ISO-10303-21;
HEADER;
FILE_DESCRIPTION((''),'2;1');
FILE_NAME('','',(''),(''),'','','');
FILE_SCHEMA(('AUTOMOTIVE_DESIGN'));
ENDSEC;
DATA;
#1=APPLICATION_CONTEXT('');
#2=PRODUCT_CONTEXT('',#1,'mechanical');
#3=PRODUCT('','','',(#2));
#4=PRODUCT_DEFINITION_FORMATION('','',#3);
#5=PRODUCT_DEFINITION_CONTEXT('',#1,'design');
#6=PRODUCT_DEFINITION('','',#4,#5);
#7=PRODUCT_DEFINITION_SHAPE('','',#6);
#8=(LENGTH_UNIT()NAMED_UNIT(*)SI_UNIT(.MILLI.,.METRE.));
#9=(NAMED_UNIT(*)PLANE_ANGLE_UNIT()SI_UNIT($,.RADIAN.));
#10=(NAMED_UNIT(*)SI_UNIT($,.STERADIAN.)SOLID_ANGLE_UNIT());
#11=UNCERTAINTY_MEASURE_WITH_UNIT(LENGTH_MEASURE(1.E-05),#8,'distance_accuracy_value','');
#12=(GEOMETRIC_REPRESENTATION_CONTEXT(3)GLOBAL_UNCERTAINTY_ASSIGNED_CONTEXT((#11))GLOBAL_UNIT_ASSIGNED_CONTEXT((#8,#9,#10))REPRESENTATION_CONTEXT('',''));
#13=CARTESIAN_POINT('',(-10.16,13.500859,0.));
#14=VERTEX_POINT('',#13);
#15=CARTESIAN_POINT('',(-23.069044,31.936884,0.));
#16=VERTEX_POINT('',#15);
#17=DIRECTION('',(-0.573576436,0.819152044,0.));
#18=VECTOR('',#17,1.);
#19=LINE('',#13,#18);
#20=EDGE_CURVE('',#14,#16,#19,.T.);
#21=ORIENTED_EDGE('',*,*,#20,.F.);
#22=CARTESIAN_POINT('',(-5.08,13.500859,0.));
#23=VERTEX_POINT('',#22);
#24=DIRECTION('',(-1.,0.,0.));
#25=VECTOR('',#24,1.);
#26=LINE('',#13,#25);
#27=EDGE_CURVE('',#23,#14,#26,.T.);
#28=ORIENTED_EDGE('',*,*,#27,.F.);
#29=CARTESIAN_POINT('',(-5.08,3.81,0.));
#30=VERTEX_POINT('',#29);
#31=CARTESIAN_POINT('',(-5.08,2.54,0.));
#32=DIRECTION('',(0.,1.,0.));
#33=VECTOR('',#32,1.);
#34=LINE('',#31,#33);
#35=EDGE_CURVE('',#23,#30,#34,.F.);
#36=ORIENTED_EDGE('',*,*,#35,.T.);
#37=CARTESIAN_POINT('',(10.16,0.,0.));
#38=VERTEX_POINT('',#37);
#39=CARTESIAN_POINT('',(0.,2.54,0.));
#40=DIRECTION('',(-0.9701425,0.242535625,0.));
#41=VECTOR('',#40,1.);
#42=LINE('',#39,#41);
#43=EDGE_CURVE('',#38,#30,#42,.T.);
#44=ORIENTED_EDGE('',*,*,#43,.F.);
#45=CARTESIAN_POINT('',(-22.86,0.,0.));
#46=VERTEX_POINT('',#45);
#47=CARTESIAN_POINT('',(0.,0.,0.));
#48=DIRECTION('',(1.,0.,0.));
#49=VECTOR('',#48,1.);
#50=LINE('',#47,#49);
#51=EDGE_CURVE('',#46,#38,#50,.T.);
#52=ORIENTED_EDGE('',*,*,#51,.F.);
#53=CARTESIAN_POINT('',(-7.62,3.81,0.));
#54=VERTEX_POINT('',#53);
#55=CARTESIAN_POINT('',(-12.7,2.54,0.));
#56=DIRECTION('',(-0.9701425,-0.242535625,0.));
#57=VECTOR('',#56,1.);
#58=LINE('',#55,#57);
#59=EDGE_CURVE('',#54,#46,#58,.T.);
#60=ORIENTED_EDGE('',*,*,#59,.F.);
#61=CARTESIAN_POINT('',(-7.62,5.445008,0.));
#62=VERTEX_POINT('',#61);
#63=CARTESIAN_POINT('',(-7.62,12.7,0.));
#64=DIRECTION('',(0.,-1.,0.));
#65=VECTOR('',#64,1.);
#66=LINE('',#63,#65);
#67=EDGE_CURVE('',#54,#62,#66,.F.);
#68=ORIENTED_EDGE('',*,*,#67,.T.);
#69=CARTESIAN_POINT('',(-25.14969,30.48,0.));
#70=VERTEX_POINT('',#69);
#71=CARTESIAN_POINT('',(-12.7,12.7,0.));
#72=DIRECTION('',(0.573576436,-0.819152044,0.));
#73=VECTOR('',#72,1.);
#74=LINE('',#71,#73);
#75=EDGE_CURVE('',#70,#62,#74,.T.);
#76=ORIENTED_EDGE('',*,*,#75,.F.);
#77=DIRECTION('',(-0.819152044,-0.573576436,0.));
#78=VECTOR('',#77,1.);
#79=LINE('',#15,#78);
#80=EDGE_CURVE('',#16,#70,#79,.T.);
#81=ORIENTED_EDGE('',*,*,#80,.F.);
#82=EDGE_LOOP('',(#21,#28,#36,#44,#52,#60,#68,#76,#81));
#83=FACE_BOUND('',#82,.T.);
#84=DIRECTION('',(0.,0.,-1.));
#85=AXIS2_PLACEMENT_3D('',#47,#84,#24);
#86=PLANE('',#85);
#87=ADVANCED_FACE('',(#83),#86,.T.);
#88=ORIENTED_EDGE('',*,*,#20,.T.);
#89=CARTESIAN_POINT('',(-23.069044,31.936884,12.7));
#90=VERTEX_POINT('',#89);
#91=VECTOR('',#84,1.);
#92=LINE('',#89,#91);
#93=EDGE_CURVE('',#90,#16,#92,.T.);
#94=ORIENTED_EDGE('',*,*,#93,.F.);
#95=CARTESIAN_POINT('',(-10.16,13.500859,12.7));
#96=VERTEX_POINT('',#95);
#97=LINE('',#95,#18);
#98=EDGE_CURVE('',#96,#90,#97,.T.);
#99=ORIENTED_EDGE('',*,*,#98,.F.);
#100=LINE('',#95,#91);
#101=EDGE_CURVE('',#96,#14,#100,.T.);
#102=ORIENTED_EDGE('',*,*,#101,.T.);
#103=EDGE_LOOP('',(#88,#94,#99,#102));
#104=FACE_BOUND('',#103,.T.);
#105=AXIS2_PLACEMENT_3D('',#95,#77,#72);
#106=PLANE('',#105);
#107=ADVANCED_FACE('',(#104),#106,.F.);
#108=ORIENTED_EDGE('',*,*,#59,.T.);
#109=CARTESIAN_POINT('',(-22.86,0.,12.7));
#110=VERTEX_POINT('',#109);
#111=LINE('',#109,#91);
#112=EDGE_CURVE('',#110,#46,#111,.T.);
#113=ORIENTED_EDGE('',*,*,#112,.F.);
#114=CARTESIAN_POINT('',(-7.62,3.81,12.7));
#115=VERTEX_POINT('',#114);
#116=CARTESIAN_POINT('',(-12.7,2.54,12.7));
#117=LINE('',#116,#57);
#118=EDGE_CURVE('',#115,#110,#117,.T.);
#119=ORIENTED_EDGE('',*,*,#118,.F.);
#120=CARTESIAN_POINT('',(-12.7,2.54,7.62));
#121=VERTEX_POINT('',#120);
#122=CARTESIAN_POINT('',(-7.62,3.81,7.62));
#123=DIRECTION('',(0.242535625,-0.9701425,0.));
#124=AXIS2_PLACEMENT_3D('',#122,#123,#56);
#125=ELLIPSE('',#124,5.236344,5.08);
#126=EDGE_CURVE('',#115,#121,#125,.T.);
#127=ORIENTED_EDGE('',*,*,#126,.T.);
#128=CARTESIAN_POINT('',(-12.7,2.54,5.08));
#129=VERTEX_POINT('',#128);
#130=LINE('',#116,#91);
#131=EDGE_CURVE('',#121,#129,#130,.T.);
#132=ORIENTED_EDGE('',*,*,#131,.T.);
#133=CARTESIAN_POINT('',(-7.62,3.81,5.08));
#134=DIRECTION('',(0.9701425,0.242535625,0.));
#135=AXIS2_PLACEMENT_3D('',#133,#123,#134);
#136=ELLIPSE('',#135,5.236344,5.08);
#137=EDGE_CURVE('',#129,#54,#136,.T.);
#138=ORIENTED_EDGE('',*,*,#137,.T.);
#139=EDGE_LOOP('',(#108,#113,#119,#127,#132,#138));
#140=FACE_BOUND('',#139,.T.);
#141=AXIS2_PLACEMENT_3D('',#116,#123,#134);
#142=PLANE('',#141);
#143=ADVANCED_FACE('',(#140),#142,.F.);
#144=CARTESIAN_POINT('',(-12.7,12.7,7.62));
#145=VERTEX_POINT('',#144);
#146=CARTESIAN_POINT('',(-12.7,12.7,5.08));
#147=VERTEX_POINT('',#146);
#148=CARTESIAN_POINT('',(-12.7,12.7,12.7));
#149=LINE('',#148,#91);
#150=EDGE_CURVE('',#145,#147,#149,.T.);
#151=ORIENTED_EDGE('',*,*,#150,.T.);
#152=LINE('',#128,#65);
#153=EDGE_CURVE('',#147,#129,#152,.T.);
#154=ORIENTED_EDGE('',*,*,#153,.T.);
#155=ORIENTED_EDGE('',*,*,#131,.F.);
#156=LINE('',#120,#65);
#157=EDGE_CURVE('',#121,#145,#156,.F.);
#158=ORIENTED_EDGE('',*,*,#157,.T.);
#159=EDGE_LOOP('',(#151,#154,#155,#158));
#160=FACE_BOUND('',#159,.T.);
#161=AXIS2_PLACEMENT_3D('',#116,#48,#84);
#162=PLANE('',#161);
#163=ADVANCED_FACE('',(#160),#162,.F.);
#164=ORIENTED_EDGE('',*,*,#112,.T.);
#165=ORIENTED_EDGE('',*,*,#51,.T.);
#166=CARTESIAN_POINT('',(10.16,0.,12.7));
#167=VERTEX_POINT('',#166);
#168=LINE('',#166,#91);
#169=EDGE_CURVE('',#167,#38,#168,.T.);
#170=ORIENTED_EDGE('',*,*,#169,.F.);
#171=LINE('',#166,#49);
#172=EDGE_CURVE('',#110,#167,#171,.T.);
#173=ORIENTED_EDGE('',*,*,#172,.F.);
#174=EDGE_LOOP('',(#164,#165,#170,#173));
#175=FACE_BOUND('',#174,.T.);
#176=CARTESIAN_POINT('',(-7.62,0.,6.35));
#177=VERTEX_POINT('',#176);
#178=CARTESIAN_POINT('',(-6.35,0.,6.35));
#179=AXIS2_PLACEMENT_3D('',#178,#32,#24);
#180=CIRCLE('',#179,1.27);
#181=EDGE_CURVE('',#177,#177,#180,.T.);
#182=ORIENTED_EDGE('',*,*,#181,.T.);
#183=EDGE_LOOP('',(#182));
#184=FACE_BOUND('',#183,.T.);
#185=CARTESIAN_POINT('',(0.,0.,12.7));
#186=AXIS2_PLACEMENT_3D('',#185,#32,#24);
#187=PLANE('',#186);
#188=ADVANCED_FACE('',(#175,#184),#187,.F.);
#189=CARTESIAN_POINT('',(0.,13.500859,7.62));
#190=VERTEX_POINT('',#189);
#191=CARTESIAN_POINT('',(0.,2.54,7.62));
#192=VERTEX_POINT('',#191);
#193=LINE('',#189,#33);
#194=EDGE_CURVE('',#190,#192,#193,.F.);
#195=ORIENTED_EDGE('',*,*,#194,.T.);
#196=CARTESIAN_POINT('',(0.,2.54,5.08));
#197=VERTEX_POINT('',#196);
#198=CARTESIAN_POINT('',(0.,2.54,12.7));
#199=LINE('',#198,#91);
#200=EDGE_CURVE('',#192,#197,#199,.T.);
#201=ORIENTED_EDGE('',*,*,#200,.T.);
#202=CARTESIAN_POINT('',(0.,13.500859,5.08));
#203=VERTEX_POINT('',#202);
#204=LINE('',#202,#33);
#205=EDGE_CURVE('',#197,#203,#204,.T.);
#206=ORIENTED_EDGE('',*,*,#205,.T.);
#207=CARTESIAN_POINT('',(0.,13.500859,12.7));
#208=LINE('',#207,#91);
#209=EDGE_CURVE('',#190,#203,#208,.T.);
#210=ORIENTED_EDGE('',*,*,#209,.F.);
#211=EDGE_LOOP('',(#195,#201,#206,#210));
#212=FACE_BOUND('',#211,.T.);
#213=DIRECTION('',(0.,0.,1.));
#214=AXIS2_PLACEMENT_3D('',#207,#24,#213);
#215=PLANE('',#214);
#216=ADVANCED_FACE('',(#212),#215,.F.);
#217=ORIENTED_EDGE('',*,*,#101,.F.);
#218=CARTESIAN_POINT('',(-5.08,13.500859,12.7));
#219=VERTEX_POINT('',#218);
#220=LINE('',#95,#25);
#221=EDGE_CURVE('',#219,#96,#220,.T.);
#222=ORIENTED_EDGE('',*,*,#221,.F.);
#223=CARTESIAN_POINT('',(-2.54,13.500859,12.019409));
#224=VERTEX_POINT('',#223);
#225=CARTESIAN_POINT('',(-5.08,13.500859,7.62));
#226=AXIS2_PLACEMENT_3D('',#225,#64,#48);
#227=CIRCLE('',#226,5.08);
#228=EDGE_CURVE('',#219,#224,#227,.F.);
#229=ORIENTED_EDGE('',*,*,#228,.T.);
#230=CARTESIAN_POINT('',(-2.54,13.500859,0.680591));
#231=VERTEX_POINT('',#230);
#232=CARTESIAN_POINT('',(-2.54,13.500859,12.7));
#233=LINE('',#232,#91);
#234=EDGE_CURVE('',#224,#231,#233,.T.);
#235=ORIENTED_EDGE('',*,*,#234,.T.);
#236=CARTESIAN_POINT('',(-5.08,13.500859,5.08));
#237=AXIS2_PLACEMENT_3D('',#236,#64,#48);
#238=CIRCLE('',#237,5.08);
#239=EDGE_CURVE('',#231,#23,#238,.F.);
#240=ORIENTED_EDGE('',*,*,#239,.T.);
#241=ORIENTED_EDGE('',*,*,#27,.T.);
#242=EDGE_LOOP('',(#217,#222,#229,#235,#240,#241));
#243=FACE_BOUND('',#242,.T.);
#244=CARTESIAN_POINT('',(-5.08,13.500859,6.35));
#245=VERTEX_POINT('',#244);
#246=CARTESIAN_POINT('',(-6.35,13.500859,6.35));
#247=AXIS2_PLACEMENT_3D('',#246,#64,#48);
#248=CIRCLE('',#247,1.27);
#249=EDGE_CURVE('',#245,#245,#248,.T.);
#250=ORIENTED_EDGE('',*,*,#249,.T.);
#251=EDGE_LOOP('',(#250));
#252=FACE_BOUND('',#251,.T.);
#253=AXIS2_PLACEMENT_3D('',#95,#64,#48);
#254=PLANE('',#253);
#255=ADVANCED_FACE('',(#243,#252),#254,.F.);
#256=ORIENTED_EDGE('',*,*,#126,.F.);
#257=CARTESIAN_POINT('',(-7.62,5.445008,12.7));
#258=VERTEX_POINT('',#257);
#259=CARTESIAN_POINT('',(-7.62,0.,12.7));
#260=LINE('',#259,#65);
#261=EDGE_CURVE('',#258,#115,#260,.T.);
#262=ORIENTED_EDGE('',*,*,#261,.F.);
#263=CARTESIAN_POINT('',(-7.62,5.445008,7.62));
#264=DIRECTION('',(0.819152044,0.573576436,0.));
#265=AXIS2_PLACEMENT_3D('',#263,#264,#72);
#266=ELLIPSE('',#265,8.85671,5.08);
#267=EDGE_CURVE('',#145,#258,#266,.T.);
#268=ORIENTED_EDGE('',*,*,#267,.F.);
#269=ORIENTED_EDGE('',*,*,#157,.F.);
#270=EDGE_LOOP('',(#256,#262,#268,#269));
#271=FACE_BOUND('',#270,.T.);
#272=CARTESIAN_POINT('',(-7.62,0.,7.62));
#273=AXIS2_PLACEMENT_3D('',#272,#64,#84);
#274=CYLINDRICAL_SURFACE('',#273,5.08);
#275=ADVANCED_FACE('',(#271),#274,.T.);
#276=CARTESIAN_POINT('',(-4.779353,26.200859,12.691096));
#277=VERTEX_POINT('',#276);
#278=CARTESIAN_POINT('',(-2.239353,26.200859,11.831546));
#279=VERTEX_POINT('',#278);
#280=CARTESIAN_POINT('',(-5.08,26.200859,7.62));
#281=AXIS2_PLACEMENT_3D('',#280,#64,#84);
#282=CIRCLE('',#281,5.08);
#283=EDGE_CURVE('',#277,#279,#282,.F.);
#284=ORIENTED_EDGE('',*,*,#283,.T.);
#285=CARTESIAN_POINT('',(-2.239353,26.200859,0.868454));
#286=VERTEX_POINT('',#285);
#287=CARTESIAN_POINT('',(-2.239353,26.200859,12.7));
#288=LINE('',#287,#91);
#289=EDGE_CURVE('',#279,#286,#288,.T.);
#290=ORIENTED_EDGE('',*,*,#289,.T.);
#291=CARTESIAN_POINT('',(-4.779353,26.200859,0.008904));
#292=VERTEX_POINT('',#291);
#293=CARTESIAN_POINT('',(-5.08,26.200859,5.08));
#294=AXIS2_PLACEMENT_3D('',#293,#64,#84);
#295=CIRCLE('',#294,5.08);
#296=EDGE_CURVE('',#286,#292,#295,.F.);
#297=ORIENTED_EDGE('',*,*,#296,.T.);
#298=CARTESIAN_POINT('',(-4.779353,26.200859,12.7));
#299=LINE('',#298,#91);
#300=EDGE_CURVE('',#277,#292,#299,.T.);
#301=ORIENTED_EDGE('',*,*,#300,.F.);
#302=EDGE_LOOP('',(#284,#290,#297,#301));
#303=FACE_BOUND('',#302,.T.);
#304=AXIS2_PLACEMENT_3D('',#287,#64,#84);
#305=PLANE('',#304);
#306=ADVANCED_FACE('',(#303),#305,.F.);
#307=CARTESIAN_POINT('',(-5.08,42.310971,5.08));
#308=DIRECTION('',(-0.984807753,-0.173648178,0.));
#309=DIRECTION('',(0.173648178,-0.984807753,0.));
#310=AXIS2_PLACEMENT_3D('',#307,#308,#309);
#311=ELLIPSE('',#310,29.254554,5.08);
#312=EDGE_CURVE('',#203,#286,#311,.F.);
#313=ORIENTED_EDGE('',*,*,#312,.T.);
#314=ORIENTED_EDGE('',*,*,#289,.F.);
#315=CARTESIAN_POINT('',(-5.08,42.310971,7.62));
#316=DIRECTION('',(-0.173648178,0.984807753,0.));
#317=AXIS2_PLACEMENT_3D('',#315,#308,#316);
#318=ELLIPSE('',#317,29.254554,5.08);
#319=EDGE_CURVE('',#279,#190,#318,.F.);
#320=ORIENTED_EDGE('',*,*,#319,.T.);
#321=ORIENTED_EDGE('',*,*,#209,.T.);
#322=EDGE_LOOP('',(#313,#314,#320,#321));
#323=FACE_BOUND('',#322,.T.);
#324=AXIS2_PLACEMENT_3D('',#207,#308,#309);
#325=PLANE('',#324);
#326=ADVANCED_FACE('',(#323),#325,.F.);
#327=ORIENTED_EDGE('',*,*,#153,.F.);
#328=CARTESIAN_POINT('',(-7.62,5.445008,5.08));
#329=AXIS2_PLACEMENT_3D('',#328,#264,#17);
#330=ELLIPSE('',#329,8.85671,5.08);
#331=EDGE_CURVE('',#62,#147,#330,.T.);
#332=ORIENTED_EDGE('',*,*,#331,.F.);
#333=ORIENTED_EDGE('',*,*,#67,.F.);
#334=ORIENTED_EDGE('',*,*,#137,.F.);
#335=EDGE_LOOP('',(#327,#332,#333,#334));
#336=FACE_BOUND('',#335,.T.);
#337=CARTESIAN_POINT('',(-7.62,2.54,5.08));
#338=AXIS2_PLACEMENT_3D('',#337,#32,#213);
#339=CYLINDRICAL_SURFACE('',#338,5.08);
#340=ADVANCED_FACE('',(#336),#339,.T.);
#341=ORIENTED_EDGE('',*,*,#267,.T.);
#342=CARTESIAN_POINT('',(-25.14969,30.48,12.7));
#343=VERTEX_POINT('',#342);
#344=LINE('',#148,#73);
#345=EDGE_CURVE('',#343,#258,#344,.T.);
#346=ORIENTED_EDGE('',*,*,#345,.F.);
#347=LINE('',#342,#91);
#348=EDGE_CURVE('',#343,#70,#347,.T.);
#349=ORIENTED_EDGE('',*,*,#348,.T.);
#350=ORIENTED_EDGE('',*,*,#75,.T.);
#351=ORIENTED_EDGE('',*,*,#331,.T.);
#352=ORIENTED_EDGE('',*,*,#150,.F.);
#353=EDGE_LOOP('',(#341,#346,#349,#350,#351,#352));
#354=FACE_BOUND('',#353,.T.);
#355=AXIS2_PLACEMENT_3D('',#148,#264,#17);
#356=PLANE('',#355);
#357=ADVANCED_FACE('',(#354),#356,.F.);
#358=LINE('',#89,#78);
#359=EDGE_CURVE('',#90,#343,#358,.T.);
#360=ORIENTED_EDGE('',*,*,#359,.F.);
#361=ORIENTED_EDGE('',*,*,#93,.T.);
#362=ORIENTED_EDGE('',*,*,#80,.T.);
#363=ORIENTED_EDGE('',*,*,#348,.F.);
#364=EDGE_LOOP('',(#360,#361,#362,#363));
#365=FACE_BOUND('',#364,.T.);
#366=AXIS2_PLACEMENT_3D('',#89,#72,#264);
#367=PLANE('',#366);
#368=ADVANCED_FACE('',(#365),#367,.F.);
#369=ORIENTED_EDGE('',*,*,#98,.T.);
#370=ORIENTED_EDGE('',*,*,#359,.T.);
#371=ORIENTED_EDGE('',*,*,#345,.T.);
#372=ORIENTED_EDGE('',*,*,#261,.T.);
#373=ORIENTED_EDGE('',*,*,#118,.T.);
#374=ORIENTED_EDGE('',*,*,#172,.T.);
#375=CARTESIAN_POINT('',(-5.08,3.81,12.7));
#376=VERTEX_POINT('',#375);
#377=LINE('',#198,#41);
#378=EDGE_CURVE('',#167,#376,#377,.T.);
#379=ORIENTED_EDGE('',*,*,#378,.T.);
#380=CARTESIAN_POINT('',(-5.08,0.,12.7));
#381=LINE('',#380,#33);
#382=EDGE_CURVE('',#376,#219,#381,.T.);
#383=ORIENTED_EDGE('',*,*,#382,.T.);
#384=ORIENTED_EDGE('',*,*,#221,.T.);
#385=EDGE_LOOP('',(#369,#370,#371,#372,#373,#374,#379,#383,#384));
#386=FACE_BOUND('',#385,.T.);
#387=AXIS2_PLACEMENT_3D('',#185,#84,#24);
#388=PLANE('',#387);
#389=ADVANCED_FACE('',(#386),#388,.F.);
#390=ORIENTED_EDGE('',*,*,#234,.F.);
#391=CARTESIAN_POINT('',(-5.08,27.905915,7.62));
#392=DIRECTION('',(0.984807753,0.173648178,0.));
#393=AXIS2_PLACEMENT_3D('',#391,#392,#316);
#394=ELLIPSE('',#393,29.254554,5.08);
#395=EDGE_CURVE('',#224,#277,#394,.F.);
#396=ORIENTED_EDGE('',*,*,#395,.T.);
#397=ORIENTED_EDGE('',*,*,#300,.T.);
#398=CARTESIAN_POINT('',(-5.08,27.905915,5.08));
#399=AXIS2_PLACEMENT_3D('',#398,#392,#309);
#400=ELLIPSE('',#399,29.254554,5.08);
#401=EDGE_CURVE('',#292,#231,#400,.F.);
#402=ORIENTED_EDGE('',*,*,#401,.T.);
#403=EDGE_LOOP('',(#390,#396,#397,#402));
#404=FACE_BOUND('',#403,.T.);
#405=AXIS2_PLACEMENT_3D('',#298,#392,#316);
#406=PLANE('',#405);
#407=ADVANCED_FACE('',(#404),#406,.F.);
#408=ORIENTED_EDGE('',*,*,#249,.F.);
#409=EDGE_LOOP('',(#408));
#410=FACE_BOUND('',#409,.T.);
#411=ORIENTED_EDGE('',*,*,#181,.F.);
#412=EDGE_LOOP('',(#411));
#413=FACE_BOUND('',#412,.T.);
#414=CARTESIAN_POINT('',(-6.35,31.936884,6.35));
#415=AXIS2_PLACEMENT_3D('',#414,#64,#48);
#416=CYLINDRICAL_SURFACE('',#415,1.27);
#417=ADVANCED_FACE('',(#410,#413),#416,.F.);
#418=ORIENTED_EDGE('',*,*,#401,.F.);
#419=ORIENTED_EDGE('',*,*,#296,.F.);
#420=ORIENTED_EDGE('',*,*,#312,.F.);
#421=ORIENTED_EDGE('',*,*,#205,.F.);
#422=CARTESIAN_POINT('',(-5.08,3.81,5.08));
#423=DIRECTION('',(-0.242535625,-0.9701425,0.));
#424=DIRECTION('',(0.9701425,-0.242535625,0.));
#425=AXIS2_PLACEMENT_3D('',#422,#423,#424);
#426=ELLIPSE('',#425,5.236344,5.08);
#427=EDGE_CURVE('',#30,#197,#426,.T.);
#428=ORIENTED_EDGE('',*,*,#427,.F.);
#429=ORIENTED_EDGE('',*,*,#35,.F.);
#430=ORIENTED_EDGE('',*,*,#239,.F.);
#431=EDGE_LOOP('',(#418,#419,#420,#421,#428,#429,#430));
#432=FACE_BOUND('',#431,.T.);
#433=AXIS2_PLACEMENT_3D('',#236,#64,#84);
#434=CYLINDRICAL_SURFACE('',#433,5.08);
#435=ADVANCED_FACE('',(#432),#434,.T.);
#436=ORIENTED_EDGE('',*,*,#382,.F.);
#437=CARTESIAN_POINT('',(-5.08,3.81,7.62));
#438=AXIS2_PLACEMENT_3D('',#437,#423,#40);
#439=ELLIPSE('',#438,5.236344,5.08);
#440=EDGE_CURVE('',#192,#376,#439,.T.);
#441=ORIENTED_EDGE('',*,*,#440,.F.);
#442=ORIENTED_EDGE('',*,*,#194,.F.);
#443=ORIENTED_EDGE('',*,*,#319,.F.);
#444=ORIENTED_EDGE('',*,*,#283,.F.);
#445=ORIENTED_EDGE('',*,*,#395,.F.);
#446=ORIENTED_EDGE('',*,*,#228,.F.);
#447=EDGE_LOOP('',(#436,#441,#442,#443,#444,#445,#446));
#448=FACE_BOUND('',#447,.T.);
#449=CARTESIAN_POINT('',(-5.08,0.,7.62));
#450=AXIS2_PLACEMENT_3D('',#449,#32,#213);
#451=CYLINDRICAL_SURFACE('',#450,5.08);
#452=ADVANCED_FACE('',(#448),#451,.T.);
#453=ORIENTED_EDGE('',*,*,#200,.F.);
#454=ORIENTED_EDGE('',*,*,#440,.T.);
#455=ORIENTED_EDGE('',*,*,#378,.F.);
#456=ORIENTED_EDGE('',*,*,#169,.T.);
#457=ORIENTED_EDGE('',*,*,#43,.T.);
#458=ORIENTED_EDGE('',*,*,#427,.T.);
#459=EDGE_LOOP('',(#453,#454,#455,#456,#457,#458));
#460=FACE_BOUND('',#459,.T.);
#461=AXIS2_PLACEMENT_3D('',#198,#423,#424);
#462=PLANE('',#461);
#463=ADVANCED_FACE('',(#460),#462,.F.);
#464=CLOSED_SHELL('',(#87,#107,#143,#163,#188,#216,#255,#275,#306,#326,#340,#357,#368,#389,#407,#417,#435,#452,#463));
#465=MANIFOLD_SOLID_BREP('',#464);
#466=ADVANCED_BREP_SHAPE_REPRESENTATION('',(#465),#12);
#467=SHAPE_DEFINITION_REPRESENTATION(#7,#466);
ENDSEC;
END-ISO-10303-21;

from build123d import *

# Parameters (mm, degrees)
BOSS_EXTRUDE1_DEPTH     = 12.7
FILLET2_R               = 5.08
SKETCH5_R               = 1.27
CUT_EXTRUDE1_DEPTH      = 1
CUT_EXTRUDE1_DEPTH_BACK = 32.936884148


with BuildPart() as part:
    # Sketch2 → Boss-Extrude1 (new body)
    with BuildSketch(Plane.XY):
        Polygon((-10.16, 13.500858924), (-2.54, 13.500858924), (-4.779352655, 26.200858924), (-2.239352655, 26.200858924), (0, 13.500858924), (0, 2.54), (10.16, 0), (0, 0), (-12.7, 0), (-22.86, 0), (-12.7, 2.54), (-12.7, 12.7), (-25.149690029, 30.48), (-23.069043837, 31.936884148), align=None)
    extrude(amount=BOSS_EXTRUDE1_DEPTH)

    # Fillet2
    fillet2_edges = [part.edges().sort_by_distance(p)[0] for p in [
        (-12.7, 7.62, 12.7),
        (-12.7, 7.62, 0),
        (0, 8.020429462, 0),
        (0, 8.020429462, 12.7),
    ]]
    fillet(fillet2_edges, radius=FILLET2_R)

    # Sketch5 → Cut-Extrude1 (cut, two sides)
    with BuildSketch(Plane.XZ) as cut_extrude1_sk:
        with Locations((-6.35, 6.35)):
            Circle(SKETCH5_R)
    extrude(amount=CUT_EXTRUDE1_DEPTH, mode=Mode.SUBTRACT)
    extrude(cut_extrude1_sk.sketch, amount=-CUT_EXTRUDE1_DEPTH_BACK, mode=Mode.SUBTRACT)


solid = part.part
